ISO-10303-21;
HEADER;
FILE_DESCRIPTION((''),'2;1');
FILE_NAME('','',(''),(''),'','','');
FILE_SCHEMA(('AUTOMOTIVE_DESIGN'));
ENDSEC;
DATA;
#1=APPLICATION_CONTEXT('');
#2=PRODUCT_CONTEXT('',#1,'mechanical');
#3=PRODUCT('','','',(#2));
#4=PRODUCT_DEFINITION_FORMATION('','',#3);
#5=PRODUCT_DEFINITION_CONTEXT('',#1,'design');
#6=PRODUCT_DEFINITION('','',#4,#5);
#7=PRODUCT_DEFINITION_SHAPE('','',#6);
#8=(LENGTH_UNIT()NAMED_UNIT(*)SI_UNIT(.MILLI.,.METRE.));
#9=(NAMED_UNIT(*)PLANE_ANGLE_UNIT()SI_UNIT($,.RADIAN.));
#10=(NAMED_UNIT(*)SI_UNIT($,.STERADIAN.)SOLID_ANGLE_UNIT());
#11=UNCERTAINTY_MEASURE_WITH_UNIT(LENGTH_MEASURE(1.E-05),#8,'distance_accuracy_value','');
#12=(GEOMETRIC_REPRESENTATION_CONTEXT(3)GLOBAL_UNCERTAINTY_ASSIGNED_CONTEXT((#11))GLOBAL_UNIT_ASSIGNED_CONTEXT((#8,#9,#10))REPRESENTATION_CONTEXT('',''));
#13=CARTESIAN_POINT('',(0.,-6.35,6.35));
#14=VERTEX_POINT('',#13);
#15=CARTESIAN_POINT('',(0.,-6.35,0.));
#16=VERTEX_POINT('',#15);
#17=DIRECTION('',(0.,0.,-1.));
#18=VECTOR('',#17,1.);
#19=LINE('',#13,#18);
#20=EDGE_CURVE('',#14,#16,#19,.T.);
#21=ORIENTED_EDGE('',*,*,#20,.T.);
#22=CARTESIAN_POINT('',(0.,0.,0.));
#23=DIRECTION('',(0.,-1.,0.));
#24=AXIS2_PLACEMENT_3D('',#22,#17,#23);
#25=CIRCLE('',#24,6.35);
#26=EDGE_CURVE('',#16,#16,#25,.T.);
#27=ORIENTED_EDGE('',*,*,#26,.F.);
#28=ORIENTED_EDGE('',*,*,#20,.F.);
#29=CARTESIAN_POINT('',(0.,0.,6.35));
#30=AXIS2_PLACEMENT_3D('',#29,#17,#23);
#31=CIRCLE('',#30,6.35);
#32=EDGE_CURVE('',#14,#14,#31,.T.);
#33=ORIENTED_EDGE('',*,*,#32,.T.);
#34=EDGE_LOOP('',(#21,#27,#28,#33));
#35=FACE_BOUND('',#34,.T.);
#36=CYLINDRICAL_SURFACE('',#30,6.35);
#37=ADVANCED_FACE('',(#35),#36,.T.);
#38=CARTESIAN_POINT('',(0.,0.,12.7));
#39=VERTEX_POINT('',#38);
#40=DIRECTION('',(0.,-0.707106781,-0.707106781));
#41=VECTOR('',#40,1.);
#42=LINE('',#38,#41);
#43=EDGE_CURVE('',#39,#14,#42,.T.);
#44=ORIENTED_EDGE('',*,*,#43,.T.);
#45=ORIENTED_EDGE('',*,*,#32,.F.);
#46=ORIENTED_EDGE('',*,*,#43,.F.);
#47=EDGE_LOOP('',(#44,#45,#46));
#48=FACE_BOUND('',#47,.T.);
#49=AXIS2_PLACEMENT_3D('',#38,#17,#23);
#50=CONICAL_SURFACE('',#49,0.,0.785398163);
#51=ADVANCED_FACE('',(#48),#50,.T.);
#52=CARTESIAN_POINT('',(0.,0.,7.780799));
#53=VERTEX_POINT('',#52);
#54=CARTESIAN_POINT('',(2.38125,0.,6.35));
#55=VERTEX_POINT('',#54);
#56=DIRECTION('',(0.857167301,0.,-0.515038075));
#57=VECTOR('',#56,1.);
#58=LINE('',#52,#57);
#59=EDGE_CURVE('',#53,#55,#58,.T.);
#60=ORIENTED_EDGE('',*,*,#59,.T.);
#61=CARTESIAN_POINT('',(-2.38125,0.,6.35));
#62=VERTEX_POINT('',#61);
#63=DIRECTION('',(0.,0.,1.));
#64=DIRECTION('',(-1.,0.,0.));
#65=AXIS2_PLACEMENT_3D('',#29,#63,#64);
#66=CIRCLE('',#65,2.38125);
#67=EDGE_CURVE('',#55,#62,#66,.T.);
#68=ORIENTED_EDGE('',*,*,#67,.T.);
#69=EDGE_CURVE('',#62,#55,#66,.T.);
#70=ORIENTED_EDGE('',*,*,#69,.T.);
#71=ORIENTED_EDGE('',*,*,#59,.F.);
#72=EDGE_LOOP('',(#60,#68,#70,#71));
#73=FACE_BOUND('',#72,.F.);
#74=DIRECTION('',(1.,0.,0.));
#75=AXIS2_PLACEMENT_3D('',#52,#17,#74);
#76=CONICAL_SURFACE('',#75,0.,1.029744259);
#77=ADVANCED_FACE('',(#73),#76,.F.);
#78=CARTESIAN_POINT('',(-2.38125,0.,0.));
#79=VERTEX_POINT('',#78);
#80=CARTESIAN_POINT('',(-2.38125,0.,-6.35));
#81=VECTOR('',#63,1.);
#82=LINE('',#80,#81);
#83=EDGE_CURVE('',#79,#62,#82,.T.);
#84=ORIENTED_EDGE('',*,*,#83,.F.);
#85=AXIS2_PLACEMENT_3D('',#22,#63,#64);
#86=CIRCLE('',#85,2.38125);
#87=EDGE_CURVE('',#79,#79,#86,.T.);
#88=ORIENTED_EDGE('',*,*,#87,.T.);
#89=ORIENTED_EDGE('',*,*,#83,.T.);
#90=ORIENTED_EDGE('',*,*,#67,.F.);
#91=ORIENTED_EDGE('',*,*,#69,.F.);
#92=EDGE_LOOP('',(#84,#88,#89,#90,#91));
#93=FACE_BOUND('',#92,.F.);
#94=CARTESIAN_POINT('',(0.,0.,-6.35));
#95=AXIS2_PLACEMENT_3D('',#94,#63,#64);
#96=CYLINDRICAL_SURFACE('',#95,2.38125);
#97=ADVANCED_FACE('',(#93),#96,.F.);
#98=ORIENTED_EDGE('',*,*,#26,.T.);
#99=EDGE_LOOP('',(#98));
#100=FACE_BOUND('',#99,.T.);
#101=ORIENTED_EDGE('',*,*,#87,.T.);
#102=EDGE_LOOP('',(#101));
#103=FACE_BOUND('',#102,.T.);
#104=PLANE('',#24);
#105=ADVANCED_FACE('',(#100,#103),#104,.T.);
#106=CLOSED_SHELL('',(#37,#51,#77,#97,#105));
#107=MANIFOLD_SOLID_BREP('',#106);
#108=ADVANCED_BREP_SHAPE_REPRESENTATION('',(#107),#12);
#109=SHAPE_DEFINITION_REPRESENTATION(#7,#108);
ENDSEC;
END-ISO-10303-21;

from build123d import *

# Parameters (mm, degrees)
F3_D     = 4.7625
F3_DEPTH = 6.35
F3_TIP   = 1.4307993491


with BuildPart() as f1:
    # F0 (on Right) → F1 (revolve)
    with BuildSketch(Plane.YZ):
        Polygon((-6.35, 6.35), (-6.35, 0), (0, 0), (0, 12.7), align=None)
    revolve(axis=Axis((0, 0, 6.35), (0, 0, -1)))

    # F3
    with Locations(Plane(origin=(0, 0, 0), x_dir=(1, 0, 0), z_dir=(0, 0, -1))):
        with Locations((0, 0)):
            Hole(F3_D / 2, depth=F3_DEPTH)
            with Locations((0, 0, -(F3_DEPTH + F3_TIP / 2))):  # 118° drill point
                Cone(0, F3_D / 2, F3_TIP, mode=Mode.SUBTRACT)


solid = f1.part
